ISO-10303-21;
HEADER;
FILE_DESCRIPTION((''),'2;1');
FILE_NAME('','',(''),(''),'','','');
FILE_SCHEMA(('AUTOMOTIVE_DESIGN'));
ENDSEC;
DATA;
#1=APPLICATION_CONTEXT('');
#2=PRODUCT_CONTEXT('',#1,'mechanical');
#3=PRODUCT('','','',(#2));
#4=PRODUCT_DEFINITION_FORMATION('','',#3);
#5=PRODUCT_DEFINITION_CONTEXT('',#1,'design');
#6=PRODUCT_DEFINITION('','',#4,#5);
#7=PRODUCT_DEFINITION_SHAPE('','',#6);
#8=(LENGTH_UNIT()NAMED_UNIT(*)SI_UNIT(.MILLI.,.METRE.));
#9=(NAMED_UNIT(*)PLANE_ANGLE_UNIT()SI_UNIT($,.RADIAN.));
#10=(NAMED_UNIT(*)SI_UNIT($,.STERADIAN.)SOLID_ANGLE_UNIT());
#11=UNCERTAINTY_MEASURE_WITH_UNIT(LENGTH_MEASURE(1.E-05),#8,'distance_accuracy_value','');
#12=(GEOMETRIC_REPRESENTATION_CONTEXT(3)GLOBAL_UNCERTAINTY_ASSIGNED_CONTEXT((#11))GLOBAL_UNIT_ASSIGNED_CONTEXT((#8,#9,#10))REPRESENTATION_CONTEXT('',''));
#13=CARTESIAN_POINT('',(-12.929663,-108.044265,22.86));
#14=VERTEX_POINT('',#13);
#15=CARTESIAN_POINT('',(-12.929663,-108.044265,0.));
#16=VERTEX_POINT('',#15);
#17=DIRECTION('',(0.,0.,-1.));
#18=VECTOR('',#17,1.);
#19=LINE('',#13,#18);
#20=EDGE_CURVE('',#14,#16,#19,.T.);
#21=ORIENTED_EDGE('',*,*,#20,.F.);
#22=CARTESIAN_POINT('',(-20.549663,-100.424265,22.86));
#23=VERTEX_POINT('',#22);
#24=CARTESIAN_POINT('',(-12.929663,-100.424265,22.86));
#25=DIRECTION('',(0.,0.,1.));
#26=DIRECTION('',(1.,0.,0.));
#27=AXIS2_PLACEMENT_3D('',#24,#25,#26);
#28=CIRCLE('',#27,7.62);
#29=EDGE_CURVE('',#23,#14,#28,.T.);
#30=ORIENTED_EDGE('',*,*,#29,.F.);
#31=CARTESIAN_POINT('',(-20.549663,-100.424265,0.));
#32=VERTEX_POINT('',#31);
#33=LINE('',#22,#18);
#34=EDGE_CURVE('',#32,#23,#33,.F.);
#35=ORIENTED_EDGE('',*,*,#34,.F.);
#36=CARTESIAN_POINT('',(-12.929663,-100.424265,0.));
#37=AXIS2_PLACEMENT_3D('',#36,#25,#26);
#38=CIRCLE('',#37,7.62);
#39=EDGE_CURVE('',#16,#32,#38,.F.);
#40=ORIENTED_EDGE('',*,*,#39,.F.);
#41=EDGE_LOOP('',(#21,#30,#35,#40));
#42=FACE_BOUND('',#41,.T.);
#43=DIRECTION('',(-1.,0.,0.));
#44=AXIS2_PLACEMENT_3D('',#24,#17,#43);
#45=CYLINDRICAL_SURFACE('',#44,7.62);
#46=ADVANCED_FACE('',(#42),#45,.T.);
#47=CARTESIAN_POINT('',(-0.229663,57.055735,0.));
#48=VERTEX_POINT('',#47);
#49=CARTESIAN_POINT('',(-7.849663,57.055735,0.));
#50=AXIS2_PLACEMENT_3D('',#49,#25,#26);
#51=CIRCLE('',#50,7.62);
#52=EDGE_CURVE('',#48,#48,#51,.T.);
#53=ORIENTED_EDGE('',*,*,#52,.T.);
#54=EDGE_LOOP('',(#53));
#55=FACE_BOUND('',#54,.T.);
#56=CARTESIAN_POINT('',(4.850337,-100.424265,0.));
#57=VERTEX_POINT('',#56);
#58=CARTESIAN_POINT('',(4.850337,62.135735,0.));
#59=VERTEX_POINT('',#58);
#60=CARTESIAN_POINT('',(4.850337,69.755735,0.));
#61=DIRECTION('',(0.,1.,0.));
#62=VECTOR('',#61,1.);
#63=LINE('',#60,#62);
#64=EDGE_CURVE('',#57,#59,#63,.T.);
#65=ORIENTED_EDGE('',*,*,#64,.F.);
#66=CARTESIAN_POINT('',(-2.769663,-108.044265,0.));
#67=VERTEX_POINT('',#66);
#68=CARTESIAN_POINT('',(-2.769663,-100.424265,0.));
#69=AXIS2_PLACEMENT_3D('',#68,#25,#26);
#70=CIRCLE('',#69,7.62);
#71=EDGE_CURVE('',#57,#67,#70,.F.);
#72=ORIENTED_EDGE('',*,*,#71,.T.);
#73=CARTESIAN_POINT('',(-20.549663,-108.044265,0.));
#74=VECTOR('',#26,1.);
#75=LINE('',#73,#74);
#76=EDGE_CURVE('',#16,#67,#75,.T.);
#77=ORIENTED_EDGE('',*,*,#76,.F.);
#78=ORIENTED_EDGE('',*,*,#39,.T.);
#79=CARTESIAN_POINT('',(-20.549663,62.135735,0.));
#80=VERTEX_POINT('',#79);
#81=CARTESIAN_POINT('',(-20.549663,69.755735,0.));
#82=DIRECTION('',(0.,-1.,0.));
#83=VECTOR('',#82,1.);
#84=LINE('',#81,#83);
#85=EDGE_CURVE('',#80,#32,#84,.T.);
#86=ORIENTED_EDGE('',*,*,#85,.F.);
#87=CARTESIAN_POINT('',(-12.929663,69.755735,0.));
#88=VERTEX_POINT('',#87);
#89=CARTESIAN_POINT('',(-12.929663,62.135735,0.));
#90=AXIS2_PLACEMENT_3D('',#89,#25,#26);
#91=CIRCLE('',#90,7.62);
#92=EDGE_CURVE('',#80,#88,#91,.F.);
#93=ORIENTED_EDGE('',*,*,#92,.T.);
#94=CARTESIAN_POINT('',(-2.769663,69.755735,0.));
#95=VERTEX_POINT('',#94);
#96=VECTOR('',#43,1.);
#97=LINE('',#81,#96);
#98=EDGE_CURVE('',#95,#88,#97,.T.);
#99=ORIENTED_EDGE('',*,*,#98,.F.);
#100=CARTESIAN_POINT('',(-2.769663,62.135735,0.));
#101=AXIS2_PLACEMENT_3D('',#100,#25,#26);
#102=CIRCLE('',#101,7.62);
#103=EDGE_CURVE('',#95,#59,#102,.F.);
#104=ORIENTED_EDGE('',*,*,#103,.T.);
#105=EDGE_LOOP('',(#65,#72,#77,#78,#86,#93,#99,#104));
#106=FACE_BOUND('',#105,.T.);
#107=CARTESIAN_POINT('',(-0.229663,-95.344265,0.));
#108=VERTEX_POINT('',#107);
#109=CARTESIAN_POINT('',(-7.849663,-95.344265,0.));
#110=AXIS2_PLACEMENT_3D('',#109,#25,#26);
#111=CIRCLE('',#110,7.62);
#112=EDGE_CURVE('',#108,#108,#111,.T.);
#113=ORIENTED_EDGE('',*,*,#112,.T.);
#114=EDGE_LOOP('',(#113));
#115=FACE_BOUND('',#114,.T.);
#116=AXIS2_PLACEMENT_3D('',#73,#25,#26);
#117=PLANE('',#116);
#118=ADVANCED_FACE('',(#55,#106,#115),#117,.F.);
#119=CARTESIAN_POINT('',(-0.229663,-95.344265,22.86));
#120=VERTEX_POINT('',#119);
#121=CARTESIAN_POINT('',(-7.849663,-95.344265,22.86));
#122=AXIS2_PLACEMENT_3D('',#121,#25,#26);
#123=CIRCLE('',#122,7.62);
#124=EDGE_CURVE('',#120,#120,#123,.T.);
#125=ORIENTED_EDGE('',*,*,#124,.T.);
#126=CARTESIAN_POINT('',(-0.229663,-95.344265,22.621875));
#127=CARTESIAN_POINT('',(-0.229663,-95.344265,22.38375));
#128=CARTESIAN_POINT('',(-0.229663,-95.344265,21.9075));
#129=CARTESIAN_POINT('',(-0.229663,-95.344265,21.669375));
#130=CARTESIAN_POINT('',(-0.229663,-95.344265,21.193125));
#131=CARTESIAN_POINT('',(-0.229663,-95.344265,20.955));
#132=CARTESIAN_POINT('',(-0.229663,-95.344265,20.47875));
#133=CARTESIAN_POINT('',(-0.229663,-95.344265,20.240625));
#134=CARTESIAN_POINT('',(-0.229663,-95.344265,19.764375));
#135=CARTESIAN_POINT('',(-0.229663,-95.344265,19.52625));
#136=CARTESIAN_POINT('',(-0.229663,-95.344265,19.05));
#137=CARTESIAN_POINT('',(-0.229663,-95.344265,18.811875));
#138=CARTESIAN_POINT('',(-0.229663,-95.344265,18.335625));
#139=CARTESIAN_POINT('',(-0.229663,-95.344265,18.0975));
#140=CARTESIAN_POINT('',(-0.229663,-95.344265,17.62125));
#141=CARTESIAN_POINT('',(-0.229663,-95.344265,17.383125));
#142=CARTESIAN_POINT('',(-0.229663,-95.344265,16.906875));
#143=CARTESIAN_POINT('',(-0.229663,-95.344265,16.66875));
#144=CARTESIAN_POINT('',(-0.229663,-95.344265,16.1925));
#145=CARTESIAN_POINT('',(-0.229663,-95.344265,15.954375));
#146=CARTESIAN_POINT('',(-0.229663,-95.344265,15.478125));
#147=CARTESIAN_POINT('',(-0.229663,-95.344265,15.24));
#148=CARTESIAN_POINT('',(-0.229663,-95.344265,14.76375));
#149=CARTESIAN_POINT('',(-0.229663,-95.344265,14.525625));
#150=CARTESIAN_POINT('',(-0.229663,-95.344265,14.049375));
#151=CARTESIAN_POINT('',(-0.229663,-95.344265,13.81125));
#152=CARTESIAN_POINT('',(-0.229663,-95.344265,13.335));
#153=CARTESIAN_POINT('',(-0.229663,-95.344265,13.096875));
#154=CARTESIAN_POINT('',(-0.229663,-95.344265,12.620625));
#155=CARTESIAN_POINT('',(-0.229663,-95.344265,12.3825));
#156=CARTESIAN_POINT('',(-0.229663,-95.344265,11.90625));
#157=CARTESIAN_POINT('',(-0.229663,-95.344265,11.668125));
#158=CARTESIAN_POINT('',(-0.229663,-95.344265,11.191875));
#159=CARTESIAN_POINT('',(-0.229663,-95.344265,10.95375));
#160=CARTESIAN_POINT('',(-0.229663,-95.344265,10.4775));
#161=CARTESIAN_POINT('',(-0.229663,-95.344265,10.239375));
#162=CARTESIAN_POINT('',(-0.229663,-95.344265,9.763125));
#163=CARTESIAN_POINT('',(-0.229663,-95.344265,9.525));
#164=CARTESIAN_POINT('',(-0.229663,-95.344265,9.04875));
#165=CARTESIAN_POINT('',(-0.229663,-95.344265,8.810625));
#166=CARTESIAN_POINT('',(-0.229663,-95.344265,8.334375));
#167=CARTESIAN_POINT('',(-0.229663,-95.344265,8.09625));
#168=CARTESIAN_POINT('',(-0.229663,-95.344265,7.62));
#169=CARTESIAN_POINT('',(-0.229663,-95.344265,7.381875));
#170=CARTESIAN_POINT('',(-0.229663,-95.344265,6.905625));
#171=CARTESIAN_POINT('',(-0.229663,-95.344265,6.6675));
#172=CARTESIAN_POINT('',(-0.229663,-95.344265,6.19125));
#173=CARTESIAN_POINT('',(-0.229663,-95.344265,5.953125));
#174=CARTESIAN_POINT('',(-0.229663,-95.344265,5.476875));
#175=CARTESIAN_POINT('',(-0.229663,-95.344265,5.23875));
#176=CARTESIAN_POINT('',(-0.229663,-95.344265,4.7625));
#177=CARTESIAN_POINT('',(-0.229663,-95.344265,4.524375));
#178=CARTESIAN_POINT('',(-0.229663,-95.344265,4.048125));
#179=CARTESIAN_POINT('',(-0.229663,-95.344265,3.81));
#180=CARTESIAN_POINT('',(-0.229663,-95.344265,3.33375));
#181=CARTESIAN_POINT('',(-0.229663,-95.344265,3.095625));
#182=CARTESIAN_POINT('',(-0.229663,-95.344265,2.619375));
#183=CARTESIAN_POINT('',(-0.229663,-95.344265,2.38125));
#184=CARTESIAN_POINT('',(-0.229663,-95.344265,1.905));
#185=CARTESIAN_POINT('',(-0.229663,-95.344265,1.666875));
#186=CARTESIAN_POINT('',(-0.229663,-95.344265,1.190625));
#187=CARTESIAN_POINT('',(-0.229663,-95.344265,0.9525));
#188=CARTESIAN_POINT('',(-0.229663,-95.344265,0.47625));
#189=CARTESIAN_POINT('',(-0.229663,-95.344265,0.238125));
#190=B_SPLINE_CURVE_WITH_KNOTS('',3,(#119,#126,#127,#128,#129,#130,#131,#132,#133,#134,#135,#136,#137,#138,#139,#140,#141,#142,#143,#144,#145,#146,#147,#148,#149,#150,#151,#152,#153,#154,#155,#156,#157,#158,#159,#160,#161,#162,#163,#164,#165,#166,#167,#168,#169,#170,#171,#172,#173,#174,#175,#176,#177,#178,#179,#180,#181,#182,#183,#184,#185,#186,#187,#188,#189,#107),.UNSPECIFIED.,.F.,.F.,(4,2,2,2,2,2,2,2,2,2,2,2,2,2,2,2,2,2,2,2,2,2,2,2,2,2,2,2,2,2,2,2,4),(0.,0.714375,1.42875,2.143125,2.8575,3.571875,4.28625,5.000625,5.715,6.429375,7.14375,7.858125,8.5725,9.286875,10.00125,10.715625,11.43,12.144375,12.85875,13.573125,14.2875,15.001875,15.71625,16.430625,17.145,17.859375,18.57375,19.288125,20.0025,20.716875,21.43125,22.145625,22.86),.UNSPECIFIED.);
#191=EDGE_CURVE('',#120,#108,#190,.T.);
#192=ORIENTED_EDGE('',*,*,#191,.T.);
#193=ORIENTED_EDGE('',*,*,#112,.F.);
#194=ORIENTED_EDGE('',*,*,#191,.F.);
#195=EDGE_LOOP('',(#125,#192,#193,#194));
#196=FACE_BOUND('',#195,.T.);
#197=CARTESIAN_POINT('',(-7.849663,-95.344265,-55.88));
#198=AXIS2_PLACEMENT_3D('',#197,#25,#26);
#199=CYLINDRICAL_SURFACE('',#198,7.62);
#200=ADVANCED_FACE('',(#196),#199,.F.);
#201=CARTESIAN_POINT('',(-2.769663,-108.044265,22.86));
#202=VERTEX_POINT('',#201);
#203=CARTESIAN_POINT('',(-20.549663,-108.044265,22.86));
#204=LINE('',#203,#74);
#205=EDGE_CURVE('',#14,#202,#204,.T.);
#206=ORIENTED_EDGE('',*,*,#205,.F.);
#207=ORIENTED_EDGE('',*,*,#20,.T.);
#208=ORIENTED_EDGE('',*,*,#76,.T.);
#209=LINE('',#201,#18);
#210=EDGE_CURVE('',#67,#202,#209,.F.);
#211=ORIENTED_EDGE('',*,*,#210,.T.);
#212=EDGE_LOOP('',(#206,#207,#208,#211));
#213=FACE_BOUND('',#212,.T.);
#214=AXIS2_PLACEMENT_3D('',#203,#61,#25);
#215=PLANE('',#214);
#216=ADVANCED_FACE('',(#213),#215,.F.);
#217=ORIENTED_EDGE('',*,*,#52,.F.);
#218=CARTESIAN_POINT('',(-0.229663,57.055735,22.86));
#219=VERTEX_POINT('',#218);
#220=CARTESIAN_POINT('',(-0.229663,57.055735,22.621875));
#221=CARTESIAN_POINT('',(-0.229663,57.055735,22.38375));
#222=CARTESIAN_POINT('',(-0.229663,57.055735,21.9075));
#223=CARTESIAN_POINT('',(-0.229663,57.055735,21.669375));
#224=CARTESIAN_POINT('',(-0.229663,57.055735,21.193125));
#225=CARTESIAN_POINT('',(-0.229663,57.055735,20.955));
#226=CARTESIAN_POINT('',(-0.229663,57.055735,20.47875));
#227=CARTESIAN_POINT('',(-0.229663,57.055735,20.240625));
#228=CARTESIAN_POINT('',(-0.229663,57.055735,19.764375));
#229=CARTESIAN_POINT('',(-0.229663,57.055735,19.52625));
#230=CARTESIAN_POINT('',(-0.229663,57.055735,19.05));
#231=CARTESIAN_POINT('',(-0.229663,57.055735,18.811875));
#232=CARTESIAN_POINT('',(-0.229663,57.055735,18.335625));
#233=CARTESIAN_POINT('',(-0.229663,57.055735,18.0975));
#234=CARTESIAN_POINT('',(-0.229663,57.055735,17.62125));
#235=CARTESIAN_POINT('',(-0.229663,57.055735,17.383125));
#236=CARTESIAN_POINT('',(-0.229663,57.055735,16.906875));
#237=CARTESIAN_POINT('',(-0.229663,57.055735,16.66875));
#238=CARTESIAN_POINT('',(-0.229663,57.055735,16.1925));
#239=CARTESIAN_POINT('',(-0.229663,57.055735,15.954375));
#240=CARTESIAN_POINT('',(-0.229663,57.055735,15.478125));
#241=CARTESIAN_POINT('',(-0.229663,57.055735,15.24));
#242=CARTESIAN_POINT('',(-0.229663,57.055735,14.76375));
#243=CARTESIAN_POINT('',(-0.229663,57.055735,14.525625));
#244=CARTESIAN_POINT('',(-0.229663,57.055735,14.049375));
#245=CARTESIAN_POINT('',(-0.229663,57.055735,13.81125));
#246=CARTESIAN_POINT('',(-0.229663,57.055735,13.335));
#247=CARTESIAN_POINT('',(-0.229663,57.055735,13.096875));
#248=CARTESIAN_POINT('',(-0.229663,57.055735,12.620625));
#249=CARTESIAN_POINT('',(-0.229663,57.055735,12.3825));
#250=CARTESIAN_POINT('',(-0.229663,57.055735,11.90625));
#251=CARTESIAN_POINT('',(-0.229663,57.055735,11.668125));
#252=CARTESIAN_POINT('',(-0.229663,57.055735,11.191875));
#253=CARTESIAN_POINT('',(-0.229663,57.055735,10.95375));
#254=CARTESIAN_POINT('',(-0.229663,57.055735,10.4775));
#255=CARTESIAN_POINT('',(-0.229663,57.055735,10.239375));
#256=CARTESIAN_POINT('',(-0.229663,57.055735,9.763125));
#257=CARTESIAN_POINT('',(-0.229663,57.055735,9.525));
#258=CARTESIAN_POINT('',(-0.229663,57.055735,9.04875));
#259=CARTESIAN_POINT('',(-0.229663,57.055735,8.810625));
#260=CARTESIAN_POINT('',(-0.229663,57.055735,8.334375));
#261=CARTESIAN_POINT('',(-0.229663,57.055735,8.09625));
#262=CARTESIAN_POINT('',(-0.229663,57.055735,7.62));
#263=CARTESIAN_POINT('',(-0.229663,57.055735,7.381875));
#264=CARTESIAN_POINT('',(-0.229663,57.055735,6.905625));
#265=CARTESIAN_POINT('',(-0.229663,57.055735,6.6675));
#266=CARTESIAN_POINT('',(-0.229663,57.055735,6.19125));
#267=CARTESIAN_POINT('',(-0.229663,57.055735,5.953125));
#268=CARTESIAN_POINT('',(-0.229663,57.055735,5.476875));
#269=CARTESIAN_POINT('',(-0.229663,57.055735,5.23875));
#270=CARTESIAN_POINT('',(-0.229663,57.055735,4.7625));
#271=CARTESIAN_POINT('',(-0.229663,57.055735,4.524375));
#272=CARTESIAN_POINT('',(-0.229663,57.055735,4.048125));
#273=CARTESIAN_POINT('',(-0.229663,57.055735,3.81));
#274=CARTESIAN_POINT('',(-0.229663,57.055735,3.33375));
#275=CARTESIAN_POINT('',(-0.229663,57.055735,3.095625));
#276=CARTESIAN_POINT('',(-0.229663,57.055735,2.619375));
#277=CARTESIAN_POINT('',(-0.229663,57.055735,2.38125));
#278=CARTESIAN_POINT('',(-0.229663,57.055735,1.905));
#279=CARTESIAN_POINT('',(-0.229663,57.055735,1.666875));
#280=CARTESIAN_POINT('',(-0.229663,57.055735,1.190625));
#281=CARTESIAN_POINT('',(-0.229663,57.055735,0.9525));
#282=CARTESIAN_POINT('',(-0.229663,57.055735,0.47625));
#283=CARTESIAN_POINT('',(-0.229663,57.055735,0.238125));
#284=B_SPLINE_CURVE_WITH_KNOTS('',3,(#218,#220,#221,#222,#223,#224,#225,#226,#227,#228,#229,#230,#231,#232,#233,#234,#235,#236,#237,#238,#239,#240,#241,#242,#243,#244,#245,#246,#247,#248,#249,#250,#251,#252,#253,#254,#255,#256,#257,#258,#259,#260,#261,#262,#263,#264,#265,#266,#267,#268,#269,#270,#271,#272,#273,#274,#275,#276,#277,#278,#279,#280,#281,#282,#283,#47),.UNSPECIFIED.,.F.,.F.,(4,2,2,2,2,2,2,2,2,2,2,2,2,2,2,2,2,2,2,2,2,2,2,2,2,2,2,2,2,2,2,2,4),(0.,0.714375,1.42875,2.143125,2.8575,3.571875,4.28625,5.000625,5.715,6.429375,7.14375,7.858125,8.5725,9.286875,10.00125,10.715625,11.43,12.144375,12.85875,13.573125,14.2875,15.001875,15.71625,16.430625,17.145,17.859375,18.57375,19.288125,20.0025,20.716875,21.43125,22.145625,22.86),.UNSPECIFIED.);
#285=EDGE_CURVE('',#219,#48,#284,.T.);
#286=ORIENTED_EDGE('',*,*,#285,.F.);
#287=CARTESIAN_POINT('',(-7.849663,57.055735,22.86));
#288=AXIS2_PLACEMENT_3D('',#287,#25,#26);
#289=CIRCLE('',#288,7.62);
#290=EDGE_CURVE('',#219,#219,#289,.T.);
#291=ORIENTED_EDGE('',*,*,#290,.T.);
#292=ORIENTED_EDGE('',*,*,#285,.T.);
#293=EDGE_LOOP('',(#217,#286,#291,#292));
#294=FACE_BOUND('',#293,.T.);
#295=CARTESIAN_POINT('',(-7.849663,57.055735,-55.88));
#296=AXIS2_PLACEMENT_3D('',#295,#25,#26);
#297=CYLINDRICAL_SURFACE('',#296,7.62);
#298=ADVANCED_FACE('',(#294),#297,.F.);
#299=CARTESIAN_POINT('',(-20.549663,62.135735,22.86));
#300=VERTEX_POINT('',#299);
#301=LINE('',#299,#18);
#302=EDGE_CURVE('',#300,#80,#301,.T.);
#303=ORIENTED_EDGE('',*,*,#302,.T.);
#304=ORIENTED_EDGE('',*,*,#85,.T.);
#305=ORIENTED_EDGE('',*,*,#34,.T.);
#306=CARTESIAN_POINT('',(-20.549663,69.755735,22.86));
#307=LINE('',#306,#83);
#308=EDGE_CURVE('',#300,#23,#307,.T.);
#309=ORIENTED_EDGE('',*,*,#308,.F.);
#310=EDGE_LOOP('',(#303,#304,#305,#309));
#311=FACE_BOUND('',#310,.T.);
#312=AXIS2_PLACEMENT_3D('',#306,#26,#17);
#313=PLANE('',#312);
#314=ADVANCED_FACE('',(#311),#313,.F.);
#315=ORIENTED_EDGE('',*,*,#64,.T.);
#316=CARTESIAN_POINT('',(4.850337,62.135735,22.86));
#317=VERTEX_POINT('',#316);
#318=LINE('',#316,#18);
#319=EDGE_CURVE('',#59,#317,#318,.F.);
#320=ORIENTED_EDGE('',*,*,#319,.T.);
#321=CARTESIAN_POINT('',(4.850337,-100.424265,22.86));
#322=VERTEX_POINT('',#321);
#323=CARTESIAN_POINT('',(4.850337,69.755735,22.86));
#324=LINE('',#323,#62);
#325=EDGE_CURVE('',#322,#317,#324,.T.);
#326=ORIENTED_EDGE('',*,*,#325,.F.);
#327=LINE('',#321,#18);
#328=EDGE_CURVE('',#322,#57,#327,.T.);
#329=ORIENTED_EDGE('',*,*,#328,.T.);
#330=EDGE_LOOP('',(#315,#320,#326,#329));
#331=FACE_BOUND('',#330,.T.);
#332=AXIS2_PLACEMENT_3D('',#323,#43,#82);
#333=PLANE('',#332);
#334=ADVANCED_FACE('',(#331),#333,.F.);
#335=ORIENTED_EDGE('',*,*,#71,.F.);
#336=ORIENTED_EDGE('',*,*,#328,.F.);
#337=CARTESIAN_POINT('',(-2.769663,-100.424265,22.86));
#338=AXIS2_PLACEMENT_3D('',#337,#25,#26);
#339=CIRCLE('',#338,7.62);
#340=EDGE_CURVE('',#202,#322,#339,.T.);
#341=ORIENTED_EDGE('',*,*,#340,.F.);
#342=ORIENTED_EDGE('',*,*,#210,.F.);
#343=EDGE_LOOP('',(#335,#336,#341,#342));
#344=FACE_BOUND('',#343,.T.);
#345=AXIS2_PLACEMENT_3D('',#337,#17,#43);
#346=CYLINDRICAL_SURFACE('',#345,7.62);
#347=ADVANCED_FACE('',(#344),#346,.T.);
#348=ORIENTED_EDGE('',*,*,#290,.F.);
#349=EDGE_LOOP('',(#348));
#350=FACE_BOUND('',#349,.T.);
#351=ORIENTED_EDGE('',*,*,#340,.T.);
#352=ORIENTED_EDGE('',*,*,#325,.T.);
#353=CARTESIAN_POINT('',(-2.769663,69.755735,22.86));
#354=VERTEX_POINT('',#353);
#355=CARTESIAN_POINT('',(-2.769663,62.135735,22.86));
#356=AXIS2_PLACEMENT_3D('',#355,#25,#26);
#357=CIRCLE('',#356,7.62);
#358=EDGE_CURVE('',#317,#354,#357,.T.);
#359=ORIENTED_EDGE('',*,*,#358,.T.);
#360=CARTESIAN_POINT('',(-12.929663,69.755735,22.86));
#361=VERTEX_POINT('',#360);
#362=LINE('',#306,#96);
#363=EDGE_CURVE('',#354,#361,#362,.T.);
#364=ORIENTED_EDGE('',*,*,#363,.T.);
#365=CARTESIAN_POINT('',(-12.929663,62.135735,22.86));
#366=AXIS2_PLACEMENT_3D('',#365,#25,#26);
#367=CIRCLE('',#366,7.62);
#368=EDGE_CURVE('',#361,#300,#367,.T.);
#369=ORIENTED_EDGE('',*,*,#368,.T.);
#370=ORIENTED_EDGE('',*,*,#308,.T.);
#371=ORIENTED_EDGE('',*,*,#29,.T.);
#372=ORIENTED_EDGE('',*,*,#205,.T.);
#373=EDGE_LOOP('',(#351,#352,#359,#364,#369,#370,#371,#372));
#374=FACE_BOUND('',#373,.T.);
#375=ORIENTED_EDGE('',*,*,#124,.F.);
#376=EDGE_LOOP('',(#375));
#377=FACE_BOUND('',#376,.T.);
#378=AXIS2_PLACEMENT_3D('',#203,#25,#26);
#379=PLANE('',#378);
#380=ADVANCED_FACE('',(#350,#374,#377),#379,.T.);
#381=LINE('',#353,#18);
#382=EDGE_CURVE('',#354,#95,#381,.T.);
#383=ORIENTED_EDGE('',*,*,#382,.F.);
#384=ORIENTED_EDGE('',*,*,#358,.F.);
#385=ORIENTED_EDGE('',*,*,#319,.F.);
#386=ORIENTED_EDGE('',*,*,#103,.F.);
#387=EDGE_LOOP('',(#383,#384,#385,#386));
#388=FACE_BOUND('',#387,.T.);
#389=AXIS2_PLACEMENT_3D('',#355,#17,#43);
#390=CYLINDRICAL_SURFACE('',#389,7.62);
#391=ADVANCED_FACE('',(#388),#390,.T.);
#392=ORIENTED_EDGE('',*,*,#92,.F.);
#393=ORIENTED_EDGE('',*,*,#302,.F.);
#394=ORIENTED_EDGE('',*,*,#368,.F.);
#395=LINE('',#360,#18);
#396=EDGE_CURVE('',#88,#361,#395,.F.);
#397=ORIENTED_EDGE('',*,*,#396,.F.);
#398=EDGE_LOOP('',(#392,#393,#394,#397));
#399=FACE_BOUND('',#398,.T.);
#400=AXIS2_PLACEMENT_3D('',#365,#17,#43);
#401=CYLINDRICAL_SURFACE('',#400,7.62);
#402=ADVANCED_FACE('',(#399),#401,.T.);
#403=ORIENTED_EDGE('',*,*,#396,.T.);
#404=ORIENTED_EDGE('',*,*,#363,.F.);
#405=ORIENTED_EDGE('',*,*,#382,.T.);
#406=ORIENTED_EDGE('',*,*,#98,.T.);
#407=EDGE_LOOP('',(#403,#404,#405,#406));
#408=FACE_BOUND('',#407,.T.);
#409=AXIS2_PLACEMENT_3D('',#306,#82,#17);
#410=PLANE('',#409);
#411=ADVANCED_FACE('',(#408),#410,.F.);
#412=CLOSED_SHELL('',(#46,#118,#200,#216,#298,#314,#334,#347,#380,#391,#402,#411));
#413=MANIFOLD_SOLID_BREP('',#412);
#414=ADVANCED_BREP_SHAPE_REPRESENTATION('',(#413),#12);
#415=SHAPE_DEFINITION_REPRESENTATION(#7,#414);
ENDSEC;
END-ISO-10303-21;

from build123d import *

# Parameters (mm, degrees)
SKETCH1_W          = 25.4
SKETCH1_H          = 177.8
BASE_EXTRUDE_DEPTH = 22.86
SKETCH2_R          = 7.62
CUT_EXTRUDE1_DEPTH = 78.74
FILLET1_R          = 7.62


with BuildPart() as part:
    # Sketch1 → Base-Extrude (new body)
    with BuildSketch(Plane.XY):
        with Locations((-7.849662618, -19.144264507)):
            Rectangle(SKETCH1_W, SKETCH1_H)
    extrude(amount=BASE_EXTRUDE_DEPTH)

    # Sketch2 → Cut-Extrude1 (cut)
    with BuildSketch(Plane.XY.offset(22.86)):
        with Locations((-7.849662618, -95.344264507)):
            Circle(SKETCH2_R)
        with Locations((-7.849662618, 57.055735493)):
            Circle(SKETCH2_R)
    extrude(amount=-CUT_EXTRUDE1_DEPTH, mode=Mode.SUBTRACT)

    # Fillet1
    fillet1_edges = [part.edges().sort_by_distance(p)[0] for p in [
        (-20.549662618, 69.755735493, 11.43),
        (4.850337382, 69.755735493, 11.43),
        (4.850337382, -108.044264507, 11.43),
        (-20.549662618, -108.044264507, 11.43),
    ]]
    fillet(fillet1_edges, radius=FILLET1_R)


solid = part.part
